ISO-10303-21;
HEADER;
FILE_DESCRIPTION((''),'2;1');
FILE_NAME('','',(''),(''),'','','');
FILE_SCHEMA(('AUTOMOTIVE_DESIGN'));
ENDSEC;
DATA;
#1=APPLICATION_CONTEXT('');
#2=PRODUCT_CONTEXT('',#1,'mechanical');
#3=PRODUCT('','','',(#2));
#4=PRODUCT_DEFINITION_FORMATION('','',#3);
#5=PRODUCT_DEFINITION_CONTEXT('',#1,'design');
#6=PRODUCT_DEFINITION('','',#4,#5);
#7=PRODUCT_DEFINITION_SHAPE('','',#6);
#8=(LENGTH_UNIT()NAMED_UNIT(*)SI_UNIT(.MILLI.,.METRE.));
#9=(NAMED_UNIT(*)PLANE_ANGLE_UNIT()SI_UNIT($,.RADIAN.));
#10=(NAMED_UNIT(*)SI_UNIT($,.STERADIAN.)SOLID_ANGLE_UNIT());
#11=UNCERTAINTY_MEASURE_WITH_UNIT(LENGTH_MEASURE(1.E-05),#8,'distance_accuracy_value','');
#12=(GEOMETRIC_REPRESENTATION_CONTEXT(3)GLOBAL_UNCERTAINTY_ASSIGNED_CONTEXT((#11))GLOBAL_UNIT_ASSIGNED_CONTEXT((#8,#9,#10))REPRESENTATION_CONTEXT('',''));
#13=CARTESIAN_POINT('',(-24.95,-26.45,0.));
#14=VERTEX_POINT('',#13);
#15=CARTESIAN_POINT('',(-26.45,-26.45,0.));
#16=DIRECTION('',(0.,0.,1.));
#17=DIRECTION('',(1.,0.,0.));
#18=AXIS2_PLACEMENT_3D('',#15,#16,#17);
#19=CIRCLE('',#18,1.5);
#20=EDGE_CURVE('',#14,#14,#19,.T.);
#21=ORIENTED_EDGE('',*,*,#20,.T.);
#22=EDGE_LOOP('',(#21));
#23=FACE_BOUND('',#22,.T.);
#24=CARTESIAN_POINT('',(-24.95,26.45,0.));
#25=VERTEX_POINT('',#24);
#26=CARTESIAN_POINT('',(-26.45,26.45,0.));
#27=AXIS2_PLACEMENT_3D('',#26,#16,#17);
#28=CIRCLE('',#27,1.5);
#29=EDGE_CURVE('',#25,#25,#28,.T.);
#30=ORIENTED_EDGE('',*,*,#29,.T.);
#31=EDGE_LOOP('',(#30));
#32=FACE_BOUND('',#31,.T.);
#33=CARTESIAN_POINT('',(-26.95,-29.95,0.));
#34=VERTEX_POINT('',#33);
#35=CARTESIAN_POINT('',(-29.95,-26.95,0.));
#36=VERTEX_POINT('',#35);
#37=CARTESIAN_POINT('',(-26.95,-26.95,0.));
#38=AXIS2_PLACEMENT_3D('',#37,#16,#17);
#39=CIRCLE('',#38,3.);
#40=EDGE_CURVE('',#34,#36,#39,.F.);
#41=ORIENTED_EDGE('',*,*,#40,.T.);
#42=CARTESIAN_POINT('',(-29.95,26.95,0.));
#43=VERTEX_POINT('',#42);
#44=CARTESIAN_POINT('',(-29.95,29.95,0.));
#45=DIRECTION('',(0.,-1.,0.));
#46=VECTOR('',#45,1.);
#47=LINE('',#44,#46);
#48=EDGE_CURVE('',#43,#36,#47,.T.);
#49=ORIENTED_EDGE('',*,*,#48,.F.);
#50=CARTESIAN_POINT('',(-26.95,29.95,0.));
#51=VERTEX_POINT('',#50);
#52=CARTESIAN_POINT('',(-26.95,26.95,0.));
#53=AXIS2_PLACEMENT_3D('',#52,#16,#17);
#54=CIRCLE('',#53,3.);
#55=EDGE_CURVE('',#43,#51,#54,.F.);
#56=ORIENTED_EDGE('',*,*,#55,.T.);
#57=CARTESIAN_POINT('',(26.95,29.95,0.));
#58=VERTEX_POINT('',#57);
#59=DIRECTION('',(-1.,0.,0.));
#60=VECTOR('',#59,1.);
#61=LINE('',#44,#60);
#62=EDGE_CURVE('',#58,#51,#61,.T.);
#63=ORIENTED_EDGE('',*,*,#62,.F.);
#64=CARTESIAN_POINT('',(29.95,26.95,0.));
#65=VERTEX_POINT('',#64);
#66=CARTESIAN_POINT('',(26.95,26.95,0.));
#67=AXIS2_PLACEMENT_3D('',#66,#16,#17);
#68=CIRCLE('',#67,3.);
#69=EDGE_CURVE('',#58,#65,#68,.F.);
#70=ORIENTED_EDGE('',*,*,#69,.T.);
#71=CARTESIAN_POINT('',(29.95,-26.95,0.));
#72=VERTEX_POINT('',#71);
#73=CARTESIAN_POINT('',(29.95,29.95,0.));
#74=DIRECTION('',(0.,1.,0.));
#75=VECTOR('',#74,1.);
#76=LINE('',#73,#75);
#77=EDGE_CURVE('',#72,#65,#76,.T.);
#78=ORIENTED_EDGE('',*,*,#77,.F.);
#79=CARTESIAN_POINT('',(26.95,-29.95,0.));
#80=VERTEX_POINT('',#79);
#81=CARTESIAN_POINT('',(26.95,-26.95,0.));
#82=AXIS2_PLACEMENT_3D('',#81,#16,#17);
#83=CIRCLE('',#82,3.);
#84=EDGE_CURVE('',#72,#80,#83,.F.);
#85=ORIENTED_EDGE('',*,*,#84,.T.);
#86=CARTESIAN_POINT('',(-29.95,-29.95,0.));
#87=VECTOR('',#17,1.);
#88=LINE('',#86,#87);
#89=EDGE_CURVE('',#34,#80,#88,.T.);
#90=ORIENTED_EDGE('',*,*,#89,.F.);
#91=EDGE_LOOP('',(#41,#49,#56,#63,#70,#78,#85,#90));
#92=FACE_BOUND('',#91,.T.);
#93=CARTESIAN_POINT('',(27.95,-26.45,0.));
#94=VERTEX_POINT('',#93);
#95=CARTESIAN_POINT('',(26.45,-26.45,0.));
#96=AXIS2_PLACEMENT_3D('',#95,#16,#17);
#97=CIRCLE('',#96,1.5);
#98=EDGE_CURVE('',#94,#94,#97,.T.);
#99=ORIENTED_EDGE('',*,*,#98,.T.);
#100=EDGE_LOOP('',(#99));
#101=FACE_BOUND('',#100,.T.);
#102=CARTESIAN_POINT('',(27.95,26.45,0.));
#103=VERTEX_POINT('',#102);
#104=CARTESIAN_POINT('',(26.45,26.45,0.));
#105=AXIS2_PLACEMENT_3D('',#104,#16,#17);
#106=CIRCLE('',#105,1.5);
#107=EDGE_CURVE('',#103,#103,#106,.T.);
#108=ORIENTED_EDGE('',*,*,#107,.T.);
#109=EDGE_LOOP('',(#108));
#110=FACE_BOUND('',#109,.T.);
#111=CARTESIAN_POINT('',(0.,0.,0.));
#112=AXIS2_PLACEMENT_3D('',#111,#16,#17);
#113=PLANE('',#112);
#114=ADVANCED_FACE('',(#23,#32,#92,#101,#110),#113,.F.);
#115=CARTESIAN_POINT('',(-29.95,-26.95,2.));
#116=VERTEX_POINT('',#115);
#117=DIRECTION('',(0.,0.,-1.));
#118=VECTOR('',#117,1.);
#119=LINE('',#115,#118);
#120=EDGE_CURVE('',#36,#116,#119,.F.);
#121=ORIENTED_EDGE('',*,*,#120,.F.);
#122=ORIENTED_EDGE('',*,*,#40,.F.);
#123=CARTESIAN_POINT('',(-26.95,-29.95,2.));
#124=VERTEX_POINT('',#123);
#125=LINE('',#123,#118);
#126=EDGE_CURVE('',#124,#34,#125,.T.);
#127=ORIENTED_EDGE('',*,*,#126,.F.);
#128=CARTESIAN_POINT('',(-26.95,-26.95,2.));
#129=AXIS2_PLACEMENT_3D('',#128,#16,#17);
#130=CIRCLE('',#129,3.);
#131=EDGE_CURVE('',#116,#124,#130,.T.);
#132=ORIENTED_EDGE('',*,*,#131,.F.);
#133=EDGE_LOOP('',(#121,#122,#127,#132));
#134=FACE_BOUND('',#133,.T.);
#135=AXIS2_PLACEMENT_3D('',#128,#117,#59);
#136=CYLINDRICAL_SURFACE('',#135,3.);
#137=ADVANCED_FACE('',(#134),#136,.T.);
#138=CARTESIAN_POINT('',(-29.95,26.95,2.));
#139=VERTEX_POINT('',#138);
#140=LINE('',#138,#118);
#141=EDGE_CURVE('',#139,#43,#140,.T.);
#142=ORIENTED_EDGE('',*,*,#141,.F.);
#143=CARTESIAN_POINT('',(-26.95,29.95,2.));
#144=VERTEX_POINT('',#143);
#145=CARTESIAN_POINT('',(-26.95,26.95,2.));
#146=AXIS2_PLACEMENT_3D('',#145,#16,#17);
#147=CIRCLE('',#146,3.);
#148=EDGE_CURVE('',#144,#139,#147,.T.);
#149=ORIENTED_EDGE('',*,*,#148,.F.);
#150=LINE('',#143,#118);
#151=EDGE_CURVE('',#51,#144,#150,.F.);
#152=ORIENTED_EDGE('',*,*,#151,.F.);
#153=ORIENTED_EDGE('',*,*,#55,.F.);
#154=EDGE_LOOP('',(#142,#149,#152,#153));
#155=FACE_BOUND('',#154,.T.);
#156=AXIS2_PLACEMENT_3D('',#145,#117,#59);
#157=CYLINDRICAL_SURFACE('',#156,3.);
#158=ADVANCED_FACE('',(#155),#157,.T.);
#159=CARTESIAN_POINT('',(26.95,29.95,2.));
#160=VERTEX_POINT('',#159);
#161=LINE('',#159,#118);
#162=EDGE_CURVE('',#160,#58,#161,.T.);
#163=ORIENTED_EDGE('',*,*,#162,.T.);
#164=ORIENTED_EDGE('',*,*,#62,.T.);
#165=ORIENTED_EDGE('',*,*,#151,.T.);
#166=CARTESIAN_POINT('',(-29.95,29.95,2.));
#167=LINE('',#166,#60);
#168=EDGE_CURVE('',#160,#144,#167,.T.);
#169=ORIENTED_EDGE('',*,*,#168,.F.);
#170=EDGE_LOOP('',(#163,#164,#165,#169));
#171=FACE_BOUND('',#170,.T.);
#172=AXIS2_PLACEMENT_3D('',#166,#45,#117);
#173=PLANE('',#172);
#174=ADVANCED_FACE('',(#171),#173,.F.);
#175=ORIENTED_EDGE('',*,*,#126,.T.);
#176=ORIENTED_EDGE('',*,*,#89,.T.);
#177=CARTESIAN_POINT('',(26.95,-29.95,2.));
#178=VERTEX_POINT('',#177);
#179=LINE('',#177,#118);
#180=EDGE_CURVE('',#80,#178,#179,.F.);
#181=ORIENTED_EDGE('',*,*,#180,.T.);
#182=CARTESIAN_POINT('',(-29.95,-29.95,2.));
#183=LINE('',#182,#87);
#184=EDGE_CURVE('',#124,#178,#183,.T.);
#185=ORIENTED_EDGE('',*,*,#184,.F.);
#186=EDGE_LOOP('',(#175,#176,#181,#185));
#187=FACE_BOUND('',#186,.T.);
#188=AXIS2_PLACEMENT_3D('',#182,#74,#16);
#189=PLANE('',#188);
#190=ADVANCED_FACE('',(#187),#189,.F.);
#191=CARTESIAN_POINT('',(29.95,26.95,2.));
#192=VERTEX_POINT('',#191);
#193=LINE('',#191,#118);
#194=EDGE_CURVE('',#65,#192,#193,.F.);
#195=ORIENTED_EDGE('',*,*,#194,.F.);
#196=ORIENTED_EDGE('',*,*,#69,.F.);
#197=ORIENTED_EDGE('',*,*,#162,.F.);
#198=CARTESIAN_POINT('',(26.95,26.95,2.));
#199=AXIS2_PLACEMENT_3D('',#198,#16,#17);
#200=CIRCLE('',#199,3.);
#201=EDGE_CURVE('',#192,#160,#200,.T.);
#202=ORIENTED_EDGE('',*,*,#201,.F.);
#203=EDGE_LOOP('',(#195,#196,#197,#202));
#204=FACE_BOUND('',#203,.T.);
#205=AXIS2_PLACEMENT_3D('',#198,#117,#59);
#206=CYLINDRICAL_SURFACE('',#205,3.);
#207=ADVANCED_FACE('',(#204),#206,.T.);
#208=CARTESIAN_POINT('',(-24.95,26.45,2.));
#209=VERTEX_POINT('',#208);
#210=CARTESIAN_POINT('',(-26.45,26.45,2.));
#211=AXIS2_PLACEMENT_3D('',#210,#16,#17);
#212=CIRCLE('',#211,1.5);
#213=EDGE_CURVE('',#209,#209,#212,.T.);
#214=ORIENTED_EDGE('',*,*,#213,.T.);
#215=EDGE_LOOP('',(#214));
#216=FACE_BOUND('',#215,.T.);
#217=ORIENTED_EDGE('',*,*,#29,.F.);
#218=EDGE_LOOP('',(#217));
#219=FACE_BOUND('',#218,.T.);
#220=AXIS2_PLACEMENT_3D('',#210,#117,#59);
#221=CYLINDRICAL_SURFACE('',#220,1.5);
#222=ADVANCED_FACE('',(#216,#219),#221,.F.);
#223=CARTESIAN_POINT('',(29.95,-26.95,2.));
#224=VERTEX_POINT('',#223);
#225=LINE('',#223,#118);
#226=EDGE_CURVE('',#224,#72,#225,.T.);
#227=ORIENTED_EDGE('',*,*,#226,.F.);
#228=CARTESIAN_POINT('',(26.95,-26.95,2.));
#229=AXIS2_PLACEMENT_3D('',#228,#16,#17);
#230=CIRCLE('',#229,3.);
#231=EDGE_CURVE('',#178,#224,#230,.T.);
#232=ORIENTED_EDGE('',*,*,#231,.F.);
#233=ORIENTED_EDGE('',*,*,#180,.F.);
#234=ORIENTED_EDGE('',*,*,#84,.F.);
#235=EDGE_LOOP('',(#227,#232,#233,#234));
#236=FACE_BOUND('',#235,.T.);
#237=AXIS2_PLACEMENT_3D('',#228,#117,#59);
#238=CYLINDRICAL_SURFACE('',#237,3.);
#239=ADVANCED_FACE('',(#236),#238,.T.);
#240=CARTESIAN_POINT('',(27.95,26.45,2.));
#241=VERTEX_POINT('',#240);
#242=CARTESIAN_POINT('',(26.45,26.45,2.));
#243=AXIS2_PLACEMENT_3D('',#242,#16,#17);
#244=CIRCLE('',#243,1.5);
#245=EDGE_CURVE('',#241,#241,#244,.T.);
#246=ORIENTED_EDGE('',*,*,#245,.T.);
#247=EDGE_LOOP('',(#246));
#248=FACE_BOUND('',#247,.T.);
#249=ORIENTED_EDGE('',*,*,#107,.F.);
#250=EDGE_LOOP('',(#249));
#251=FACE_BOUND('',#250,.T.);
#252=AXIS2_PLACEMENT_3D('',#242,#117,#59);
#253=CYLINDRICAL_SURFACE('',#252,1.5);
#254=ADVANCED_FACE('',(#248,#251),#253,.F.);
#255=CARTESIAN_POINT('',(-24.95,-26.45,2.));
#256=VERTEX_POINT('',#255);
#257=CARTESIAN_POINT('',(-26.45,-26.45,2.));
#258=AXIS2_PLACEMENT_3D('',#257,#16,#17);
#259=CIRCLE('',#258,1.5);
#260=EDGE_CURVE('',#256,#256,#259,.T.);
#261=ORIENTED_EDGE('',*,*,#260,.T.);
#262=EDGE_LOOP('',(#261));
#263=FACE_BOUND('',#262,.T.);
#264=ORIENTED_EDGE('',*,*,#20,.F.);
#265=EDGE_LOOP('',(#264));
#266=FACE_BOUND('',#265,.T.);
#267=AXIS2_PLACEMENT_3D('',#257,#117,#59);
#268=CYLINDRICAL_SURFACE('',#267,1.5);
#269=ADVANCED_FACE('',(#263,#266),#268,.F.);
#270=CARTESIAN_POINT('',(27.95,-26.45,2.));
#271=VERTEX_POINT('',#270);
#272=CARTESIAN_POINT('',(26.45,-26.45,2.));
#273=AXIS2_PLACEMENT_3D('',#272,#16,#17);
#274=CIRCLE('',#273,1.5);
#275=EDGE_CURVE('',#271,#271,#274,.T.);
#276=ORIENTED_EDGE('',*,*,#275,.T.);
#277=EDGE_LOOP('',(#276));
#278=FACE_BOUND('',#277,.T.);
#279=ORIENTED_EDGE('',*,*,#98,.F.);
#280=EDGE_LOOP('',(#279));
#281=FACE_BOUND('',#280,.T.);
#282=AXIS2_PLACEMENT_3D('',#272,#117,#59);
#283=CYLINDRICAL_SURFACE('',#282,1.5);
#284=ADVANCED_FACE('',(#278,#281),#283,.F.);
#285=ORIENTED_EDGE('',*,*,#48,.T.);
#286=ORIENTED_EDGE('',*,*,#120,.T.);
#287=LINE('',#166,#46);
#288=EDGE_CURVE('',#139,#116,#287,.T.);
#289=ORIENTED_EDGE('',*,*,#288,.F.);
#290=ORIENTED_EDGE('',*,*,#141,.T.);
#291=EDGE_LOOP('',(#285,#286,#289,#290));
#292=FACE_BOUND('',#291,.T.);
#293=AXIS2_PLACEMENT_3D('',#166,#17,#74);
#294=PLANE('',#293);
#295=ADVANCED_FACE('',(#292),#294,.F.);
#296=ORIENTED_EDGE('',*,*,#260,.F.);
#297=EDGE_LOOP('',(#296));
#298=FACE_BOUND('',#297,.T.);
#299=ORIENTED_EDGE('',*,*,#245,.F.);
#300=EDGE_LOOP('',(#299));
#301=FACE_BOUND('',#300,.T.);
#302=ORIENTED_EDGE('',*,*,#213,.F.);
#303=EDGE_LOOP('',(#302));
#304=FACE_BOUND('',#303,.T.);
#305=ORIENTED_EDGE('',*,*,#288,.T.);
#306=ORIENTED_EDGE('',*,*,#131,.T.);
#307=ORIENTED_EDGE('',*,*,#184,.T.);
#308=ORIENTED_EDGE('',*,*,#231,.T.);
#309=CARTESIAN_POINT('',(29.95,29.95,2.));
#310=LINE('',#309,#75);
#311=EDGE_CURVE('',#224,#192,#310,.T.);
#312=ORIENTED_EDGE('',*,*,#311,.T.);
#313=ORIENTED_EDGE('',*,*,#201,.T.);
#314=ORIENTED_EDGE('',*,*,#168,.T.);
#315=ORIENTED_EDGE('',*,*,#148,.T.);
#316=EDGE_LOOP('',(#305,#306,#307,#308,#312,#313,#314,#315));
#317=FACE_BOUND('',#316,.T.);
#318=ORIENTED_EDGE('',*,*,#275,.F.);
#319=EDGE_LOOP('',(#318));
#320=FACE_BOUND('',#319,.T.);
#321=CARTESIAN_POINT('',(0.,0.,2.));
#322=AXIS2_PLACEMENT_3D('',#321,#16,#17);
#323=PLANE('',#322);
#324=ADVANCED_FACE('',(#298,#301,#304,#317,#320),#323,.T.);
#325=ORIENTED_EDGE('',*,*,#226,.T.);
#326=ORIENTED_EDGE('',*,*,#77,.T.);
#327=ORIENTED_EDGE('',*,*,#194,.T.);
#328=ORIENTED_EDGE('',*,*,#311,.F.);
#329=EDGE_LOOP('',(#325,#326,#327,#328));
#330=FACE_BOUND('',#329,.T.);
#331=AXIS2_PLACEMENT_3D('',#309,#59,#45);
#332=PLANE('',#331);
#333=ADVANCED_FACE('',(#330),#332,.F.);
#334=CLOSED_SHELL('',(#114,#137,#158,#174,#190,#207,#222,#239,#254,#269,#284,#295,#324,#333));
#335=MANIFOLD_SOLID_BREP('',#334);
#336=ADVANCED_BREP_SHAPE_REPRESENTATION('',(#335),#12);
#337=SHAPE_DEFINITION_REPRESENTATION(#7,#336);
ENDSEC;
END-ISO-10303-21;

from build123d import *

# Parameters (mm, degrees)
SKETCH1_W           = 59.9
SKETCH1_H           = 59.9
SKETCH1_R           = 1.5
BOSS_EXTRUDE1_DEPTH = 2
FILLET1_R           = 3


with BuildPart() as part:
    # Sketch1 → Boss-Extrude1 (new body)
    with BuildSketch(Plane.XY):
        Rectangle(SKETCH1_W, SKETCH1_H)
        with Locations((-26.45, -26.45)):
            Circle(SKETCH1_R, mode=Mode.SUBTRACT)
        with Locations((26.45, -26.45)):
            Circle(SKETCH1_R, mode=Mode.SUBTRACT)
        with Locations((-26.45, 26.45)):
            Circle(SKETCH1_R, mode=Mode.SUBTRACT)
        with Locations((26.45, 26.45)):
            Circle(SKETCH1_R, mode=Mode.SUBTRACT)
    extrude(amount=BOSS_EXTRUDE1_DEPTH)

    # Fillet1
    fillet1_edges = [part.edges().sort_by_distance(p)[0] for p in [
        (29.95, -29.95, 1),
        (-29.95, -29.95, 1),
        (-29.95, 29.95, 1),
        (29.95, 29.95, 1),
    ]]
    fillet(fillet1_edges, radius=FILLET1_R)


solid = part.part
